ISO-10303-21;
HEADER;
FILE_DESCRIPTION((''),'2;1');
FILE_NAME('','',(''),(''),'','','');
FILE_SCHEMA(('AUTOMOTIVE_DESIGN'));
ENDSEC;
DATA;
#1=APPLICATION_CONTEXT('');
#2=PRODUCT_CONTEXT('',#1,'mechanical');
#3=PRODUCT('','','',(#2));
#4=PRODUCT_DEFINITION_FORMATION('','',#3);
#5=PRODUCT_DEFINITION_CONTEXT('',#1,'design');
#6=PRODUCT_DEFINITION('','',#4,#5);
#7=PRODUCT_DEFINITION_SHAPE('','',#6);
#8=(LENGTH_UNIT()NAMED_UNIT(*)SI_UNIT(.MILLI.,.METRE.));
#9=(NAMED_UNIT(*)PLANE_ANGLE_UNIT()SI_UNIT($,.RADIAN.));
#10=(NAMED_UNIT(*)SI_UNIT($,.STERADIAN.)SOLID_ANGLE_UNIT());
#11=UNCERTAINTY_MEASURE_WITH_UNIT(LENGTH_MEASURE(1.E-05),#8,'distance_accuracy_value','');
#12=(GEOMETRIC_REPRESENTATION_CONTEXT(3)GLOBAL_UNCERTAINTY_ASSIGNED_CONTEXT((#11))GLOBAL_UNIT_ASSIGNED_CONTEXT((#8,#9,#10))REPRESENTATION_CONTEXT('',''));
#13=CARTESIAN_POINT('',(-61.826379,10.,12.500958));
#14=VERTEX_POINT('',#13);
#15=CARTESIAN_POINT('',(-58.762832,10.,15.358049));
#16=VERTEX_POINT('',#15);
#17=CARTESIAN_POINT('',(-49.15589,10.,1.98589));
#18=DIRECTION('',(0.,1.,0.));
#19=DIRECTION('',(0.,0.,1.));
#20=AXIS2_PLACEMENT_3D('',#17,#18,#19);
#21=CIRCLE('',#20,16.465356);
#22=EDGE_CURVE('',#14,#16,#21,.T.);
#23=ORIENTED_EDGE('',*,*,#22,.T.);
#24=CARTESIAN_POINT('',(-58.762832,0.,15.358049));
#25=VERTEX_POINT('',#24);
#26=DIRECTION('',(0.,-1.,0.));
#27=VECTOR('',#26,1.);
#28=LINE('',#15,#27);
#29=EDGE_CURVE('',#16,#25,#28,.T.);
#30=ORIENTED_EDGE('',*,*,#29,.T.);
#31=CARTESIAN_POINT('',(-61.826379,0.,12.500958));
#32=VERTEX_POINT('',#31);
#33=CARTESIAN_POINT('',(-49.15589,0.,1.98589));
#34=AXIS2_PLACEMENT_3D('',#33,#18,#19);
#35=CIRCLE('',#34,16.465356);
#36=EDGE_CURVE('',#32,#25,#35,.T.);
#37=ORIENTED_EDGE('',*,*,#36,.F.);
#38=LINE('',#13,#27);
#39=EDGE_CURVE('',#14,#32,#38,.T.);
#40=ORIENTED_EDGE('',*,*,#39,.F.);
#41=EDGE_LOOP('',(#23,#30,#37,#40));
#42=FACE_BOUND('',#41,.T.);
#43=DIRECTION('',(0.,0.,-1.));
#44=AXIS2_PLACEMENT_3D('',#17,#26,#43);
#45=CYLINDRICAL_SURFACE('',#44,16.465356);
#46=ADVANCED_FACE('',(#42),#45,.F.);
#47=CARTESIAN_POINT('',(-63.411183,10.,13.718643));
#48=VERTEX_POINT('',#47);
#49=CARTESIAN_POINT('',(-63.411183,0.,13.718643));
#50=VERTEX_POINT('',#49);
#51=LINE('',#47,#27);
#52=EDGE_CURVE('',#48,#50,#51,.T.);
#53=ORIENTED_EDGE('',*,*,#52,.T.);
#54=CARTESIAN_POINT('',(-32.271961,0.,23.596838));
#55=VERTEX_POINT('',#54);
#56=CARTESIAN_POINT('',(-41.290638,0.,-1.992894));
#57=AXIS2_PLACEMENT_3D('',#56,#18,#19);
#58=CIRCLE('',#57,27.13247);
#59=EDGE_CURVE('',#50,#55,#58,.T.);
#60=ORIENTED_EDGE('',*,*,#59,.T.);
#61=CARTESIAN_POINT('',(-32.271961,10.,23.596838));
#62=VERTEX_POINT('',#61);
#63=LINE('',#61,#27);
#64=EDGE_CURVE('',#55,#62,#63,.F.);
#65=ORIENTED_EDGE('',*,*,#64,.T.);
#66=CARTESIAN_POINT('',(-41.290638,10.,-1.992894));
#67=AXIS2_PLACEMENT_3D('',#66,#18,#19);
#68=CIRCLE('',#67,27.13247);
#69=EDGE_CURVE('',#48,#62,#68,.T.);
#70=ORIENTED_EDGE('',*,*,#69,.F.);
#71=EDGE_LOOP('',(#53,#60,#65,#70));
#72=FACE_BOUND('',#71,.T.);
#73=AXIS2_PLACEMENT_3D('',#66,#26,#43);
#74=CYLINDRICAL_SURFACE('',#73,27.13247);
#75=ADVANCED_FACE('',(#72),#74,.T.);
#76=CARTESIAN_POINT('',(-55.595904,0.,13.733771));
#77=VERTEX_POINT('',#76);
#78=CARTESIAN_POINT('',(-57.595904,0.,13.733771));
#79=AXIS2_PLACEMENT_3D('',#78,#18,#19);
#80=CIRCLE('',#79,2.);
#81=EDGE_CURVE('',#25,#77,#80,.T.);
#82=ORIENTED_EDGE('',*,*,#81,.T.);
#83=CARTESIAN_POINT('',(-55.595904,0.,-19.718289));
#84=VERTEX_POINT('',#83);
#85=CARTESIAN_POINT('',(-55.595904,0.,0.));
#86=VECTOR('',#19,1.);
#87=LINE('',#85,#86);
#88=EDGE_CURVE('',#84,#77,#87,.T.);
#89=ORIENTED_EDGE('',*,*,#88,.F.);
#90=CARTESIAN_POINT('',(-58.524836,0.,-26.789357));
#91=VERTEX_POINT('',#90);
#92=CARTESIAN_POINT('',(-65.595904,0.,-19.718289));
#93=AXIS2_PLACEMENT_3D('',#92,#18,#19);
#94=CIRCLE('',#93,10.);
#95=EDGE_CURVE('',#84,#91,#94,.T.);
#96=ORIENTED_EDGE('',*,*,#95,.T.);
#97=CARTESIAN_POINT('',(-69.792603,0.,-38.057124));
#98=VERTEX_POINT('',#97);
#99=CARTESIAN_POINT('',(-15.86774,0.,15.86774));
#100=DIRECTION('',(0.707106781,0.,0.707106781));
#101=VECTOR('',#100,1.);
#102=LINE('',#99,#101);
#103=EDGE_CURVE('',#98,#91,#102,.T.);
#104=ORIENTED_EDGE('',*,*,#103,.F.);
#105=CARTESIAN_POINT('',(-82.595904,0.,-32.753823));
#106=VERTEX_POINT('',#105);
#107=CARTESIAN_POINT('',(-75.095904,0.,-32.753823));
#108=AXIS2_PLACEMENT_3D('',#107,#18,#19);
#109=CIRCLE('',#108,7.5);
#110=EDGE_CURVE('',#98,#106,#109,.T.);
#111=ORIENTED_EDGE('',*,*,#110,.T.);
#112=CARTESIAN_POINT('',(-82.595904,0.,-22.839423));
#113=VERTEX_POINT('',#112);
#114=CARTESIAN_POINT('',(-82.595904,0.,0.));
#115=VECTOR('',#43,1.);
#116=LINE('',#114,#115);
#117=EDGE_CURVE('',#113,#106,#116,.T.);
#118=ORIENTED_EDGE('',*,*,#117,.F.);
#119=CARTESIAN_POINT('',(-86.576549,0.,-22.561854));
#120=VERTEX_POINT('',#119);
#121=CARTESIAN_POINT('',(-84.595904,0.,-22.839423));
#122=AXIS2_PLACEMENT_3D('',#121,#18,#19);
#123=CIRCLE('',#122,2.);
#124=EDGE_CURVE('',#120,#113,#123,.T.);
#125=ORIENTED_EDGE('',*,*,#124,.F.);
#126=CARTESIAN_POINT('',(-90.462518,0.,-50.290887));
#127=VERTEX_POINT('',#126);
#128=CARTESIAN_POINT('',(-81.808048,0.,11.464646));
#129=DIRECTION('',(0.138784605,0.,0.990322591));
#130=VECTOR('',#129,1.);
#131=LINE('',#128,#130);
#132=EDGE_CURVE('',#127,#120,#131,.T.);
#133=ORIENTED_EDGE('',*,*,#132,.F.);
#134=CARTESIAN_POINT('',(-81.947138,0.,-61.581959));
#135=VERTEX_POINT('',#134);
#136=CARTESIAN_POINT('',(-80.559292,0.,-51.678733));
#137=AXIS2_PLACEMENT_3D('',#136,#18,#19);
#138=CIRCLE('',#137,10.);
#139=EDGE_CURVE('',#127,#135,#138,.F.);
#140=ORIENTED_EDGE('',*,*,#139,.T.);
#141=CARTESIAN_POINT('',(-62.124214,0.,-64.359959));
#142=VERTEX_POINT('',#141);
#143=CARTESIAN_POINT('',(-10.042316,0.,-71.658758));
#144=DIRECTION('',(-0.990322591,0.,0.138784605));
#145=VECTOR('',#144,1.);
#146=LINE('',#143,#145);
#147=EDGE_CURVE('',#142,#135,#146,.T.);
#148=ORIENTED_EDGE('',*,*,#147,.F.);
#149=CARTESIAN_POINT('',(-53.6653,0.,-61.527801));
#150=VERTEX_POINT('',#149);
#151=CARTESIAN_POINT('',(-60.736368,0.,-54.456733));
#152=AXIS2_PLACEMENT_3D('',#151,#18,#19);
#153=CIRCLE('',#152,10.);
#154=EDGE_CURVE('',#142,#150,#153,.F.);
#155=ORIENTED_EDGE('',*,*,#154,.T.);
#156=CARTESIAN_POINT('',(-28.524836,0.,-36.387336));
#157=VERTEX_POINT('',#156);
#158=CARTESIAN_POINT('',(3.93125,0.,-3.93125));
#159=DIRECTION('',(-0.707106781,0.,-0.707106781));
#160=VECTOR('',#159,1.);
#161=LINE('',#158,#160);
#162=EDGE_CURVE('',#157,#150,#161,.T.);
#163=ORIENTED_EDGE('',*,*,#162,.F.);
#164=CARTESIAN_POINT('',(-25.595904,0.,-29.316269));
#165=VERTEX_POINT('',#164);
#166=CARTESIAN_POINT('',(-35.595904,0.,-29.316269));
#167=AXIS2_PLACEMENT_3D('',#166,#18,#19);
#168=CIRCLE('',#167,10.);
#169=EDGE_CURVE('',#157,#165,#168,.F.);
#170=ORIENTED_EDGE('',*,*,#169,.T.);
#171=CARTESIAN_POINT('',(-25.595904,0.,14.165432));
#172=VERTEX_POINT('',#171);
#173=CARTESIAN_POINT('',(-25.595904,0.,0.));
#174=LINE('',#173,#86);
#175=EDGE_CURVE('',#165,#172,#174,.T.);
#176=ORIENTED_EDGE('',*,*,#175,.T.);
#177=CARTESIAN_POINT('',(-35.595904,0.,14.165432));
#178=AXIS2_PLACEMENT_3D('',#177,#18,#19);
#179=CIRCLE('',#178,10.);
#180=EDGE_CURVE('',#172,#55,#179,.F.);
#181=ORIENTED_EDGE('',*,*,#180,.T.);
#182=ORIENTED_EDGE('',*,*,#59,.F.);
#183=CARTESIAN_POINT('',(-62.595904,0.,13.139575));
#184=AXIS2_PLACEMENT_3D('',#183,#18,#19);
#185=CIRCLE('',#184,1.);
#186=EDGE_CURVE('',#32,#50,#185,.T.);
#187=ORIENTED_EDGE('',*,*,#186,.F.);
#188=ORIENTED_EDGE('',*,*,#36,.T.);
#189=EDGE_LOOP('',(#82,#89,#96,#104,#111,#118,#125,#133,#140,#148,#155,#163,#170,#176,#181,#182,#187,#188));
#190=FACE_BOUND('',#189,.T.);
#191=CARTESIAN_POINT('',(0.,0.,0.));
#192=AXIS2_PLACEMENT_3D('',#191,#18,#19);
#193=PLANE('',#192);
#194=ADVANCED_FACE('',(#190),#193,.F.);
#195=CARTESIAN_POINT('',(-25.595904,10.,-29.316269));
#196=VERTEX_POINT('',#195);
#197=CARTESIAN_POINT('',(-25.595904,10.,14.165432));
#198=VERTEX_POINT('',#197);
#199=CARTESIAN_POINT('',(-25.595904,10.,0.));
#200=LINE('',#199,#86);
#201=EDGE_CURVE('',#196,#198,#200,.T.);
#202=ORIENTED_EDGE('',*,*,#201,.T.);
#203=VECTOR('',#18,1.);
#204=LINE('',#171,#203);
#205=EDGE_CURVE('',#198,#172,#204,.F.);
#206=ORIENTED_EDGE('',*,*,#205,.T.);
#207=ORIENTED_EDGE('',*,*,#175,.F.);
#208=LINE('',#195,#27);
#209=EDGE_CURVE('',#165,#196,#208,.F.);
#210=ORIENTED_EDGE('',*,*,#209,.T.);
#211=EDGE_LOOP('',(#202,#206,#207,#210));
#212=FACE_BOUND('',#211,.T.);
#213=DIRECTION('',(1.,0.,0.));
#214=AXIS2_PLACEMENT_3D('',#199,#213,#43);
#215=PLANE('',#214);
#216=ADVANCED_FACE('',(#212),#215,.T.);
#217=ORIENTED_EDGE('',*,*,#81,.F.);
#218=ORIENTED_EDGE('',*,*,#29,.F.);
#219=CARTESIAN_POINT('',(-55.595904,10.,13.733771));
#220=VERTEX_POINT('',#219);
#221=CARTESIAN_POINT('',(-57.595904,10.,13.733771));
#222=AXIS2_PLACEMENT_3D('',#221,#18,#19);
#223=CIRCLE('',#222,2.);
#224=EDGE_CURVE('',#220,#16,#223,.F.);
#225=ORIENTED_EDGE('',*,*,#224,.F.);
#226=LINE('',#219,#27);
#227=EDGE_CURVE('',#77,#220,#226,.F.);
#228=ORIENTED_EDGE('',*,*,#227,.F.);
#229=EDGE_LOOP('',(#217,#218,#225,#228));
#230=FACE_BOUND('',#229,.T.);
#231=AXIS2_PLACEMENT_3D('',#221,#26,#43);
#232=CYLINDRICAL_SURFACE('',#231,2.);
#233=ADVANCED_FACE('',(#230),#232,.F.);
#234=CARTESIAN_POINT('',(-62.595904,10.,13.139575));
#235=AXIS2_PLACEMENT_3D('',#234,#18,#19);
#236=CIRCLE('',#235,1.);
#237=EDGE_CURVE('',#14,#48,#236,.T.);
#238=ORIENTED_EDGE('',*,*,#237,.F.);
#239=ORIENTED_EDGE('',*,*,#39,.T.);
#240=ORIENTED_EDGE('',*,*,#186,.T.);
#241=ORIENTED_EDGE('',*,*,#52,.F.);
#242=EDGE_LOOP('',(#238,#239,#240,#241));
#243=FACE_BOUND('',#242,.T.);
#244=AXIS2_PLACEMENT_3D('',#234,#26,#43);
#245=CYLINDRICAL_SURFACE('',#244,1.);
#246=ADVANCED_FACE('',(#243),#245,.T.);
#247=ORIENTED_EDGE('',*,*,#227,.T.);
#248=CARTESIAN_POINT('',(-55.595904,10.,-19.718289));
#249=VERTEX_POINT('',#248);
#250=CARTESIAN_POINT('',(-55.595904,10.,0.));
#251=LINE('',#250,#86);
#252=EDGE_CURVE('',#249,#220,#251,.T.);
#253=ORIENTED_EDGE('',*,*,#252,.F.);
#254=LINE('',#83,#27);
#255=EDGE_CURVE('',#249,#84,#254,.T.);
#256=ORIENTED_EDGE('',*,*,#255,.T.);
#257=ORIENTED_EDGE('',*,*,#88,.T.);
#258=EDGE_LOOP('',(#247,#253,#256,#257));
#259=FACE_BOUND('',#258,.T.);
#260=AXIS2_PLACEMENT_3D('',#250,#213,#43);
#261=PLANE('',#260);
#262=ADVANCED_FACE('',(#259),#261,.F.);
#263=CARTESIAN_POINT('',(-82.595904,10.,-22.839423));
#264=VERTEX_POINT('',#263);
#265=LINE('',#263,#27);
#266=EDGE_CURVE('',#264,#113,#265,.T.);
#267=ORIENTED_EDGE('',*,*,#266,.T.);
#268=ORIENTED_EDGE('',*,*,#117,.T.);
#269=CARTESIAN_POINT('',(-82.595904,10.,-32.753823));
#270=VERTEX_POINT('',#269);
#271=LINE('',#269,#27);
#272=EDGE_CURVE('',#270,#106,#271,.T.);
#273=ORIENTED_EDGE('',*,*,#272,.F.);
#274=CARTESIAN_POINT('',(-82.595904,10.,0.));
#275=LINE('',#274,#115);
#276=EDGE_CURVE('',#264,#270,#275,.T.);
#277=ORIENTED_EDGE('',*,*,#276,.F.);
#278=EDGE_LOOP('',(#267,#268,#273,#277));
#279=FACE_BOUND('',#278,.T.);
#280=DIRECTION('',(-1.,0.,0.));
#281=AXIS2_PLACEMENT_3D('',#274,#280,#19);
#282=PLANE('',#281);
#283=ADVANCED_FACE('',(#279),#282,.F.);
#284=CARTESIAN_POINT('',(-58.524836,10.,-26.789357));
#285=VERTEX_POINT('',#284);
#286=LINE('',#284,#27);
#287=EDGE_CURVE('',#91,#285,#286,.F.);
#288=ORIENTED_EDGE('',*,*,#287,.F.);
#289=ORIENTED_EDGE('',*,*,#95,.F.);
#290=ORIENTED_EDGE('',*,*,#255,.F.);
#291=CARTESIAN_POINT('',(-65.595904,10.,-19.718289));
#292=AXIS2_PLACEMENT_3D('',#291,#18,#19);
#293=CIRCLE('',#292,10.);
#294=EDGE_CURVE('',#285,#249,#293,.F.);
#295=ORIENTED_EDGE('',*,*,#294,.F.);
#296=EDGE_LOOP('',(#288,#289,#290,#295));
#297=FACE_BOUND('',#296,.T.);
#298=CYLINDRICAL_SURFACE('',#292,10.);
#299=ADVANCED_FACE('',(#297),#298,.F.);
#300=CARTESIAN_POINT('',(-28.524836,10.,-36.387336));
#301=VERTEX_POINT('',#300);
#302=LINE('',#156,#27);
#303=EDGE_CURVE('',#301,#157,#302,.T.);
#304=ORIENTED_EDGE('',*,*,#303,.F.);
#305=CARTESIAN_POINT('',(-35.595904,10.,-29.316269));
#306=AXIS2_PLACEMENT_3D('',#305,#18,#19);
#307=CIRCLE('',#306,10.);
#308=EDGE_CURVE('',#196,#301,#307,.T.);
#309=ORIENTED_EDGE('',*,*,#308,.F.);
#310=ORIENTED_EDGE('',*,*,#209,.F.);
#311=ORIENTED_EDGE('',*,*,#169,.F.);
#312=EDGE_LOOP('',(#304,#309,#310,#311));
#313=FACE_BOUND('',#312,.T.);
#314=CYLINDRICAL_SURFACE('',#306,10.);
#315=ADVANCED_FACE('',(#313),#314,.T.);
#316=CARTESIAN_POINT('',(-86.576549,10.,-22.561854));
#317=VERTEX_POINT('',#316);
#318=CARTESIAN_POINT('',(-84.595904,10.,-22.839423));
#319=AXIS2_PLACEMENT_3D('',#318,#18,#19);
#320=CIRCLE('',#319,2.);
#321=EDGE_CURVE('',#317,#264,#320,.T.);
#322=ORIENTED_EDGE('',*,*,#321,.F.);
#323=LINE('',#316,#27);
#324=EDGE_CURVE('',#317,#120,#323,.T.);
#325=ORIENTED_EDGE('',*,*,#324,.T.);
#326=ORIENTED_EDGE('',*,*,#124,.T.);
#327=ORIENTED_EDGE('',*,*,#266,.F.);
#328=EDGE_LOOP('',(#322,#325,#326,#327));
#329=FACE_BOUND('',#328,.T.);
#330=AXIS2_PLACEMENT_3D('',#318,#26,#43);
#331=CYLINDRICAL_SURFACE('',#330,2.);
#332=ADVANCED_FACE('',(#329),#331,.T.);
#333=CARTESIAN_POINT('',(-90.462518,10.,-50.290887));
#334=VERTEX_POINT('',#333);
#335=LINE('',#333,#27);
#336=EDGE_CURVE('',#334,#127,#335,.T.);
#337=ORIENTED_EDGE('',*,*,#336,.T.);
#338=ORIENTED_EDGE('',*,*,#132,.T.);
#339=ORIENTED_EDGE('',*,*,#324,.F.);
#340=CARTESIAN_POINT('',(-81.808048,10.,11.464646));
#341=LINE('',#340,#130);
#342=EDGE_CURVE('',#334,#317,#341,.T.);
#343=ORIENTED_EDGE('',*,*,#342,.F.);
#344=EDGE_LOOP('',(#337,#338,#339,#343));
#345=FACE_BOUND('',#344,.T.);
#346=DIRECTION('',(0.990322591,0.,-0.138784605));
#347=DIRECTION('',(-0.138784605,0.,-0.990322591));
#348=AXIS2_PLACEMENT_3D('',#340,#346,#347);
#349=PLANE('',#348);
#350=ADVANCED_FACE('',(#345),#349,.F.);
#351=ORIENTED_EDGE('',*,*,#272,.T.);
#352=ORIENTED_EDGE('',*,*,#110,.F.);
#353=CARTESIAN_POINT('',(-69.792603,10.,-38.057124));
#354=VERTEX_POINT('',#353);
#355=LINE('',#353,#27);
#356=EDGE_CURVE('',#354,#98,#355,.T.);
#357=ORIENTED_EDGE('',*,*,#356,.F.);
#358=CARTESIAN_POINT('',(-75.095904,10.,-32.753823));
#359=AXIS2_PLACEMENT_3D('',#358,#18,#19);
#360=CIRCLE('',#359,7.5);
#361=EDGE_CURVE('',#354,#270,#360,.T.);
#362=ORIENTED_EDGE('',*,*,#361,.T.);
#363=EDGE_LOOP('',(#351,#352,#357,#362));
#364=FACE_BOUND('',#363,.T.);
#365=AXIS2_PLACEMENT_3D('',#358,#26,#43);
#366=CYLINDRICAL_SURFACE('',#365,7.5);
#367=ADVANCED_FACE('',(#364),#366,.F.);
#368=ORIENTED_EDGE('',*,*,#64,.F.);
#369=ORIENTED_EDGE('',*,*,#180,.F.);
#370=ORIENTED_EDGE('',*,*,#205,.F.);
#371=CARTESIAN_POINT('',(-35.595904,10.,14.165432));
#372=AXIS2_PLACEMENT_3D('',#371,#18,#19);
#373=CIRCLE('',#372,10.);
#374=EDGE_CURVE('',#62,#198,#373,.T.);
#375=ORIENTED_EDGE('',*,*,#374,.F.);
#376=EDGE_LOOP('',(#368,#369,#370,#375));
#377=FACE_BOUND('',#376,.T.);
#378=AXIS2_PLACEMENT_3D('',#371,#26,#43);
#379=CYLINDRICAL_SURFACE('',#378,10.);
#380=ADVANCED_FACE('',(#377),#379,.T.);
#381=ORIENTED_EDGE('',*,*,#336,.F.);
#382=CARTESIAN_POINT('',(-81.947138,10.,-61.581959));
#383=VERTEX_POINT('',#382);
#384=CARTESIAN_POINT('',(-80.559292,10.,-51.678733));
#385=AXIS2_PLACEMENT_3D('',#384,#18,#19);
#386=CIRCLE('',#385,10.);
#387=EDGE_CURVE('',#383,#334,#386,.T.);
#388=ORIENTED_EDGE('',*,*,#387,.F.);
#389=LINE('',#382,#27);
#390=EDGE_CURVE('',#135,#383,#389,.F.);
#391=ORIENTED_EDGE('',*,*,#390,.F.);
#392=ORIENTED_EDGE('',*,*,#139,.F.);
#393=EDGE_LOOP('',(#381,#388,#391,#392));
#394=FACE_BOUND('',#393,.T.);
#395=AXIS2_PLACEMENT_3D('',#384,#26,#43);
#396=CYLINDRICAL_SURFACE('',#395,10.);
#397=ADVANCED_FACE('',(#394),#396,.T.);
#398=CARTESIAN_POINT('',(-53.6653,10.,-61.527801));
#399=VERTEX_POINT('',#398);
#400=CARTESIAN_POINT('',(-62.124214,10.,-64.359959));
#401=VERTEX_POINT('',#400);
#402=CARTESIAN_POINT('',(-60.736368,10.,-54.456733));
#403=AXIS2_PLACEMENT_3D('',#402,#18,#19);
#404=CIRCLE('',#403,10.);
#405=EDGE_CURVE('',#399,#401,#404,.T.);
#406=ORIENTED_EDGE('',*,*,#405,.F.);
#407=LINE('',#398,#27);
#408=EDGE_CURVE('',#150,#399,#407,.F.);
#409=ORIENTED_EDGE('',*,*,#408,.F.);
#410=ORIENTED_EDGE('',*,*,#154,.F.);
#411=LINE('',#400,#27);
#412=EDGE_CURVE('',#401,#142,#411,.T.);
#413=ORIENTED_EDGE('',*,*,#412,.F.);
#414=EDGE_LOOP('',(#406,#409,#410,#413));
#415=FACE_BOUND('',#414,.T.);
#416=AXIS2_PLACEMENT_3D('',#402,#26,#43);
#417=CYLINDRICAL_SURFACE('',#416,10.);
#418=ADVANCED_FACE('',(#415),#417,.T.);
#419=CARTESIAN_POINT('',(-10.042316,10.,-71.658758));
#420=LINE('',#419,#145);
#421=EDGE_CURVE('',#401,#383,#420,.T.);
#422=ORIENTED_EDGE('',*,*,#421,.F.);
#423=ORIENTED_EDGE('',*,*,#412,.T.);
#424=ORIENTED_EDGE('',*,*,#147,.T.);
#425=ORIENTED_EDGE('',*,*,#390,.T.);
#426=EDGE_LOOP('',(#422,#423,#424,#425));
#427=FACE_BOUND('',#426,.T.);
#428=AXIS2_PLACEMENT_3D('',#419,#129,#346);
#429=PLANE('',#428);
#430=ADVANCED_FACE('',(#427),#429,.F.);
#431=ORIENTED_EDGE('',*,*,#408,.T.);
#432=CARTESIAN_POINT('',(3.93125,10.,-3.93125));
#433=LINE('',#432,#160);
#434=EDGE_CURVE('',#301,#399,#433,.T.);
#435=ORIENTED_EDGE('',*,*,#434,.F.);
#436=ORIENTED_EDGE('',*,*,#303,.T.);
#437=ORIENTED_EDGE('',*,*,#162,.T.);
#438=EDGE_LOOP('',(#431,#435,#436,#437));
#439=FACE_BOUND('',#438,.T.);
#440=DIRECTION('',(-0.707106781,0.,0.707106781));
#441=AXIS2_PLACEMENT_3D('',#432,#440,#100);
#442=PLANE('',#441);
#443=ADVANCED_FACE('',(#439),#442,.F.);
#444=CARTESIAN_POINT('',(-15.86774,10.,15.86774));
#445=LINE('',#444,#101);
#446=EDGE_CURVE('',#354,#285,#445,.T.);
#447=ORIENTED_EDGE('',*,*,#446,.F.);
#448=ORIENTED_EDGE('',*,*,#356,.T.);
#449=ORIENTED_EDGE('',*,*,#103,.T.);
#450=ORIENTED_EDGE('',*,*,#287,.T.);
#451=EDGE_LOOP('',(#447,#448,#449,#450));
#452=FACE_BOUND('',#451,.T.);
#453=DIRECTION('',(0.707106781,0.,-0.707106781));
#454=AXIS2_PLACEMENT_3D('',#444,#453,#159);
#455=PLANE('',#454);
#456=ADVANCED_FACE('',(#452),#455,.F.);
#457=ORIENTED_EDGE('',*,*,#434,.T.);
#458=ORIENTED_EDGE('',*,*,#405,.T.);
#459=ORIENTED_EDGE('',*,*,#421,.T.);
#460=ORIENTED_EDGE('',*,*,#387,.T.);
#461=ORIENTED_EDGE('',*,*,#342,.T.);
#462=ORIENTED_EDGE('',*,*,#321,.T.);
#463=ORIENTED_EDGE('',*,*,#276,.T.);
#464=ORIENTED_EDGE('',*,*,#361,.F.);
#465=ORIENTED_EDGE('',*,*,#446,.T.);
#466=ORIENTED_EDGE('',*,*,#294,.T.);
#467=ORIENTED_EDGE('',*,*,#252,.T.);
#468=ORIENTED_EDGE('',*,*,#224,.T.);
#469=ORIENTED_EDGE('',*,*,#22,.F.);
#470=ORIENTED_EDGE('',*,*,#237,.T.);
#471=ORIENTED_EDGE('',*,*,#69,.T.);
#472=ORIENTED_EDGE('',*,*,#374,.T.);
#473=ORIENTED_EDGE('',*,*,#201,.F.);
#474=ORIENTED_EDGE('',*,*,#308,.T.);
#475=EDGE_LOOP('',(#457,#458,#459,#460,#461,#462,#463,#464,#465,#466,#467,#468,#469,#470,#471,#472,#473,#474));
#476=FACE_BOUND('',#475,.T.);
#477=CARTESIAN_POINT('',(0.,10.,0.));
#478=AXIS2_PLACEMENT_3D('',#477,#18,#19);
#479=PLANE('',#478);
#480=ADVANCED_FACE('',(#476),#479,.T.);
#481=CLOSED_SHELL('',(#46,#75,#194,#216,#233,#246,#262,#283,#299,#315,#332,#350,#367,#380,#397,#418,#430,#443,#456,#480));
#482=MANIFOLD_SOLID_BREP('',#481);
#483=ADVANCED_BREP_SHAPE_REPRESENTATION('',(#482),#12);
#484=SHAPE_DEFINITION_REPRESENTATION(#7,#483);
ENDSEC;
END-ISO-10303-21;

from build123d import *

# Parameters (mm, degrees)
SALIENTE_EXTRUIR1_DEPTH = 10
REDONDEO1_R             = 10
REDONDEO2_R             = 2


with BuildPart() as part:
    # Croquis1 → Saliente-Extruir1 (new body)
    with BuildSketch(Plane(origin=(0, 0, 0), x_dir=(1, 0, 0), z_dir=(0, 1, 0))):
        with BuildLine():
            Line((-55.595903629, 23.860424538), (-55.595903629, -17.139575462))
            ThreePointArc((-55.595903629, -17.139575462), (-58.988591813, -15.192930957), (-61.826379426, -12.500957814))
            ThreePointArc((-61.826379426, -12.500957814), (-63.205175994, -12.346614438), (-63.411183057, -13.718643208))
            ThreePointArc((-63.411183057, -13.718643208), (-45.832647936, -24.756705017), (-25.595903629, -20.139575462))
            Line((-25.595903629, -20.139575462), (-25.595903629, 33.458404285))
            Line((-25.595903629, 33.458404285), (-57.189073116, 65.051573772))
            Line((-57.189073116, 65.051573772), (-91.850363788, 60.194112608))
            Line((-91.850363788, 60.194112608), (-86.576548855, 22.561854481))
            ThreePointArc((-86.576548855, 22.561854481), (-84.456782192, 20.844267935), (-82.595903629, 22.839423374))
            Line((-82.595903629, 22.839423374), (-82.595903629, 32.75382282))
            ThreePointArc((-82.595903629, 32.75382282), (-77.966029372, 39.682919314), (-69.79260277, 38.057123679))
            Line((-69.79260277, 38.057123679), (-55.595903629, 23.860424538))
        make_face()
    extrude(amount=SALIENTE_EXTRUIR1_DEPTH)

    # Redondeo1
    redondeo1_edges = [part.edges().sort_by_distance(p)[0] for p in [
        (-25.595903629, 5, -33.458404285),
        (-25.595903629, 5, 20.139575462),
        (-55.595903629, 5, -23.860424538),
        (-91.850363788, 5, -60.194112608),
        (-57.189073116, 5, -65.051573772),
    ]]
    fillet(redondeo1_edges, radius=REDONDEO1_R)

    # Redondeo2
    redondeo2_edges = [part.edges().sort_by_distance(p)[0] for p in [
        (-55.595903629, 5, 17.139575462),
    ]]
    fillet(redondeo2_edges, radius=REDONDEO2_R)


solid = part.part
